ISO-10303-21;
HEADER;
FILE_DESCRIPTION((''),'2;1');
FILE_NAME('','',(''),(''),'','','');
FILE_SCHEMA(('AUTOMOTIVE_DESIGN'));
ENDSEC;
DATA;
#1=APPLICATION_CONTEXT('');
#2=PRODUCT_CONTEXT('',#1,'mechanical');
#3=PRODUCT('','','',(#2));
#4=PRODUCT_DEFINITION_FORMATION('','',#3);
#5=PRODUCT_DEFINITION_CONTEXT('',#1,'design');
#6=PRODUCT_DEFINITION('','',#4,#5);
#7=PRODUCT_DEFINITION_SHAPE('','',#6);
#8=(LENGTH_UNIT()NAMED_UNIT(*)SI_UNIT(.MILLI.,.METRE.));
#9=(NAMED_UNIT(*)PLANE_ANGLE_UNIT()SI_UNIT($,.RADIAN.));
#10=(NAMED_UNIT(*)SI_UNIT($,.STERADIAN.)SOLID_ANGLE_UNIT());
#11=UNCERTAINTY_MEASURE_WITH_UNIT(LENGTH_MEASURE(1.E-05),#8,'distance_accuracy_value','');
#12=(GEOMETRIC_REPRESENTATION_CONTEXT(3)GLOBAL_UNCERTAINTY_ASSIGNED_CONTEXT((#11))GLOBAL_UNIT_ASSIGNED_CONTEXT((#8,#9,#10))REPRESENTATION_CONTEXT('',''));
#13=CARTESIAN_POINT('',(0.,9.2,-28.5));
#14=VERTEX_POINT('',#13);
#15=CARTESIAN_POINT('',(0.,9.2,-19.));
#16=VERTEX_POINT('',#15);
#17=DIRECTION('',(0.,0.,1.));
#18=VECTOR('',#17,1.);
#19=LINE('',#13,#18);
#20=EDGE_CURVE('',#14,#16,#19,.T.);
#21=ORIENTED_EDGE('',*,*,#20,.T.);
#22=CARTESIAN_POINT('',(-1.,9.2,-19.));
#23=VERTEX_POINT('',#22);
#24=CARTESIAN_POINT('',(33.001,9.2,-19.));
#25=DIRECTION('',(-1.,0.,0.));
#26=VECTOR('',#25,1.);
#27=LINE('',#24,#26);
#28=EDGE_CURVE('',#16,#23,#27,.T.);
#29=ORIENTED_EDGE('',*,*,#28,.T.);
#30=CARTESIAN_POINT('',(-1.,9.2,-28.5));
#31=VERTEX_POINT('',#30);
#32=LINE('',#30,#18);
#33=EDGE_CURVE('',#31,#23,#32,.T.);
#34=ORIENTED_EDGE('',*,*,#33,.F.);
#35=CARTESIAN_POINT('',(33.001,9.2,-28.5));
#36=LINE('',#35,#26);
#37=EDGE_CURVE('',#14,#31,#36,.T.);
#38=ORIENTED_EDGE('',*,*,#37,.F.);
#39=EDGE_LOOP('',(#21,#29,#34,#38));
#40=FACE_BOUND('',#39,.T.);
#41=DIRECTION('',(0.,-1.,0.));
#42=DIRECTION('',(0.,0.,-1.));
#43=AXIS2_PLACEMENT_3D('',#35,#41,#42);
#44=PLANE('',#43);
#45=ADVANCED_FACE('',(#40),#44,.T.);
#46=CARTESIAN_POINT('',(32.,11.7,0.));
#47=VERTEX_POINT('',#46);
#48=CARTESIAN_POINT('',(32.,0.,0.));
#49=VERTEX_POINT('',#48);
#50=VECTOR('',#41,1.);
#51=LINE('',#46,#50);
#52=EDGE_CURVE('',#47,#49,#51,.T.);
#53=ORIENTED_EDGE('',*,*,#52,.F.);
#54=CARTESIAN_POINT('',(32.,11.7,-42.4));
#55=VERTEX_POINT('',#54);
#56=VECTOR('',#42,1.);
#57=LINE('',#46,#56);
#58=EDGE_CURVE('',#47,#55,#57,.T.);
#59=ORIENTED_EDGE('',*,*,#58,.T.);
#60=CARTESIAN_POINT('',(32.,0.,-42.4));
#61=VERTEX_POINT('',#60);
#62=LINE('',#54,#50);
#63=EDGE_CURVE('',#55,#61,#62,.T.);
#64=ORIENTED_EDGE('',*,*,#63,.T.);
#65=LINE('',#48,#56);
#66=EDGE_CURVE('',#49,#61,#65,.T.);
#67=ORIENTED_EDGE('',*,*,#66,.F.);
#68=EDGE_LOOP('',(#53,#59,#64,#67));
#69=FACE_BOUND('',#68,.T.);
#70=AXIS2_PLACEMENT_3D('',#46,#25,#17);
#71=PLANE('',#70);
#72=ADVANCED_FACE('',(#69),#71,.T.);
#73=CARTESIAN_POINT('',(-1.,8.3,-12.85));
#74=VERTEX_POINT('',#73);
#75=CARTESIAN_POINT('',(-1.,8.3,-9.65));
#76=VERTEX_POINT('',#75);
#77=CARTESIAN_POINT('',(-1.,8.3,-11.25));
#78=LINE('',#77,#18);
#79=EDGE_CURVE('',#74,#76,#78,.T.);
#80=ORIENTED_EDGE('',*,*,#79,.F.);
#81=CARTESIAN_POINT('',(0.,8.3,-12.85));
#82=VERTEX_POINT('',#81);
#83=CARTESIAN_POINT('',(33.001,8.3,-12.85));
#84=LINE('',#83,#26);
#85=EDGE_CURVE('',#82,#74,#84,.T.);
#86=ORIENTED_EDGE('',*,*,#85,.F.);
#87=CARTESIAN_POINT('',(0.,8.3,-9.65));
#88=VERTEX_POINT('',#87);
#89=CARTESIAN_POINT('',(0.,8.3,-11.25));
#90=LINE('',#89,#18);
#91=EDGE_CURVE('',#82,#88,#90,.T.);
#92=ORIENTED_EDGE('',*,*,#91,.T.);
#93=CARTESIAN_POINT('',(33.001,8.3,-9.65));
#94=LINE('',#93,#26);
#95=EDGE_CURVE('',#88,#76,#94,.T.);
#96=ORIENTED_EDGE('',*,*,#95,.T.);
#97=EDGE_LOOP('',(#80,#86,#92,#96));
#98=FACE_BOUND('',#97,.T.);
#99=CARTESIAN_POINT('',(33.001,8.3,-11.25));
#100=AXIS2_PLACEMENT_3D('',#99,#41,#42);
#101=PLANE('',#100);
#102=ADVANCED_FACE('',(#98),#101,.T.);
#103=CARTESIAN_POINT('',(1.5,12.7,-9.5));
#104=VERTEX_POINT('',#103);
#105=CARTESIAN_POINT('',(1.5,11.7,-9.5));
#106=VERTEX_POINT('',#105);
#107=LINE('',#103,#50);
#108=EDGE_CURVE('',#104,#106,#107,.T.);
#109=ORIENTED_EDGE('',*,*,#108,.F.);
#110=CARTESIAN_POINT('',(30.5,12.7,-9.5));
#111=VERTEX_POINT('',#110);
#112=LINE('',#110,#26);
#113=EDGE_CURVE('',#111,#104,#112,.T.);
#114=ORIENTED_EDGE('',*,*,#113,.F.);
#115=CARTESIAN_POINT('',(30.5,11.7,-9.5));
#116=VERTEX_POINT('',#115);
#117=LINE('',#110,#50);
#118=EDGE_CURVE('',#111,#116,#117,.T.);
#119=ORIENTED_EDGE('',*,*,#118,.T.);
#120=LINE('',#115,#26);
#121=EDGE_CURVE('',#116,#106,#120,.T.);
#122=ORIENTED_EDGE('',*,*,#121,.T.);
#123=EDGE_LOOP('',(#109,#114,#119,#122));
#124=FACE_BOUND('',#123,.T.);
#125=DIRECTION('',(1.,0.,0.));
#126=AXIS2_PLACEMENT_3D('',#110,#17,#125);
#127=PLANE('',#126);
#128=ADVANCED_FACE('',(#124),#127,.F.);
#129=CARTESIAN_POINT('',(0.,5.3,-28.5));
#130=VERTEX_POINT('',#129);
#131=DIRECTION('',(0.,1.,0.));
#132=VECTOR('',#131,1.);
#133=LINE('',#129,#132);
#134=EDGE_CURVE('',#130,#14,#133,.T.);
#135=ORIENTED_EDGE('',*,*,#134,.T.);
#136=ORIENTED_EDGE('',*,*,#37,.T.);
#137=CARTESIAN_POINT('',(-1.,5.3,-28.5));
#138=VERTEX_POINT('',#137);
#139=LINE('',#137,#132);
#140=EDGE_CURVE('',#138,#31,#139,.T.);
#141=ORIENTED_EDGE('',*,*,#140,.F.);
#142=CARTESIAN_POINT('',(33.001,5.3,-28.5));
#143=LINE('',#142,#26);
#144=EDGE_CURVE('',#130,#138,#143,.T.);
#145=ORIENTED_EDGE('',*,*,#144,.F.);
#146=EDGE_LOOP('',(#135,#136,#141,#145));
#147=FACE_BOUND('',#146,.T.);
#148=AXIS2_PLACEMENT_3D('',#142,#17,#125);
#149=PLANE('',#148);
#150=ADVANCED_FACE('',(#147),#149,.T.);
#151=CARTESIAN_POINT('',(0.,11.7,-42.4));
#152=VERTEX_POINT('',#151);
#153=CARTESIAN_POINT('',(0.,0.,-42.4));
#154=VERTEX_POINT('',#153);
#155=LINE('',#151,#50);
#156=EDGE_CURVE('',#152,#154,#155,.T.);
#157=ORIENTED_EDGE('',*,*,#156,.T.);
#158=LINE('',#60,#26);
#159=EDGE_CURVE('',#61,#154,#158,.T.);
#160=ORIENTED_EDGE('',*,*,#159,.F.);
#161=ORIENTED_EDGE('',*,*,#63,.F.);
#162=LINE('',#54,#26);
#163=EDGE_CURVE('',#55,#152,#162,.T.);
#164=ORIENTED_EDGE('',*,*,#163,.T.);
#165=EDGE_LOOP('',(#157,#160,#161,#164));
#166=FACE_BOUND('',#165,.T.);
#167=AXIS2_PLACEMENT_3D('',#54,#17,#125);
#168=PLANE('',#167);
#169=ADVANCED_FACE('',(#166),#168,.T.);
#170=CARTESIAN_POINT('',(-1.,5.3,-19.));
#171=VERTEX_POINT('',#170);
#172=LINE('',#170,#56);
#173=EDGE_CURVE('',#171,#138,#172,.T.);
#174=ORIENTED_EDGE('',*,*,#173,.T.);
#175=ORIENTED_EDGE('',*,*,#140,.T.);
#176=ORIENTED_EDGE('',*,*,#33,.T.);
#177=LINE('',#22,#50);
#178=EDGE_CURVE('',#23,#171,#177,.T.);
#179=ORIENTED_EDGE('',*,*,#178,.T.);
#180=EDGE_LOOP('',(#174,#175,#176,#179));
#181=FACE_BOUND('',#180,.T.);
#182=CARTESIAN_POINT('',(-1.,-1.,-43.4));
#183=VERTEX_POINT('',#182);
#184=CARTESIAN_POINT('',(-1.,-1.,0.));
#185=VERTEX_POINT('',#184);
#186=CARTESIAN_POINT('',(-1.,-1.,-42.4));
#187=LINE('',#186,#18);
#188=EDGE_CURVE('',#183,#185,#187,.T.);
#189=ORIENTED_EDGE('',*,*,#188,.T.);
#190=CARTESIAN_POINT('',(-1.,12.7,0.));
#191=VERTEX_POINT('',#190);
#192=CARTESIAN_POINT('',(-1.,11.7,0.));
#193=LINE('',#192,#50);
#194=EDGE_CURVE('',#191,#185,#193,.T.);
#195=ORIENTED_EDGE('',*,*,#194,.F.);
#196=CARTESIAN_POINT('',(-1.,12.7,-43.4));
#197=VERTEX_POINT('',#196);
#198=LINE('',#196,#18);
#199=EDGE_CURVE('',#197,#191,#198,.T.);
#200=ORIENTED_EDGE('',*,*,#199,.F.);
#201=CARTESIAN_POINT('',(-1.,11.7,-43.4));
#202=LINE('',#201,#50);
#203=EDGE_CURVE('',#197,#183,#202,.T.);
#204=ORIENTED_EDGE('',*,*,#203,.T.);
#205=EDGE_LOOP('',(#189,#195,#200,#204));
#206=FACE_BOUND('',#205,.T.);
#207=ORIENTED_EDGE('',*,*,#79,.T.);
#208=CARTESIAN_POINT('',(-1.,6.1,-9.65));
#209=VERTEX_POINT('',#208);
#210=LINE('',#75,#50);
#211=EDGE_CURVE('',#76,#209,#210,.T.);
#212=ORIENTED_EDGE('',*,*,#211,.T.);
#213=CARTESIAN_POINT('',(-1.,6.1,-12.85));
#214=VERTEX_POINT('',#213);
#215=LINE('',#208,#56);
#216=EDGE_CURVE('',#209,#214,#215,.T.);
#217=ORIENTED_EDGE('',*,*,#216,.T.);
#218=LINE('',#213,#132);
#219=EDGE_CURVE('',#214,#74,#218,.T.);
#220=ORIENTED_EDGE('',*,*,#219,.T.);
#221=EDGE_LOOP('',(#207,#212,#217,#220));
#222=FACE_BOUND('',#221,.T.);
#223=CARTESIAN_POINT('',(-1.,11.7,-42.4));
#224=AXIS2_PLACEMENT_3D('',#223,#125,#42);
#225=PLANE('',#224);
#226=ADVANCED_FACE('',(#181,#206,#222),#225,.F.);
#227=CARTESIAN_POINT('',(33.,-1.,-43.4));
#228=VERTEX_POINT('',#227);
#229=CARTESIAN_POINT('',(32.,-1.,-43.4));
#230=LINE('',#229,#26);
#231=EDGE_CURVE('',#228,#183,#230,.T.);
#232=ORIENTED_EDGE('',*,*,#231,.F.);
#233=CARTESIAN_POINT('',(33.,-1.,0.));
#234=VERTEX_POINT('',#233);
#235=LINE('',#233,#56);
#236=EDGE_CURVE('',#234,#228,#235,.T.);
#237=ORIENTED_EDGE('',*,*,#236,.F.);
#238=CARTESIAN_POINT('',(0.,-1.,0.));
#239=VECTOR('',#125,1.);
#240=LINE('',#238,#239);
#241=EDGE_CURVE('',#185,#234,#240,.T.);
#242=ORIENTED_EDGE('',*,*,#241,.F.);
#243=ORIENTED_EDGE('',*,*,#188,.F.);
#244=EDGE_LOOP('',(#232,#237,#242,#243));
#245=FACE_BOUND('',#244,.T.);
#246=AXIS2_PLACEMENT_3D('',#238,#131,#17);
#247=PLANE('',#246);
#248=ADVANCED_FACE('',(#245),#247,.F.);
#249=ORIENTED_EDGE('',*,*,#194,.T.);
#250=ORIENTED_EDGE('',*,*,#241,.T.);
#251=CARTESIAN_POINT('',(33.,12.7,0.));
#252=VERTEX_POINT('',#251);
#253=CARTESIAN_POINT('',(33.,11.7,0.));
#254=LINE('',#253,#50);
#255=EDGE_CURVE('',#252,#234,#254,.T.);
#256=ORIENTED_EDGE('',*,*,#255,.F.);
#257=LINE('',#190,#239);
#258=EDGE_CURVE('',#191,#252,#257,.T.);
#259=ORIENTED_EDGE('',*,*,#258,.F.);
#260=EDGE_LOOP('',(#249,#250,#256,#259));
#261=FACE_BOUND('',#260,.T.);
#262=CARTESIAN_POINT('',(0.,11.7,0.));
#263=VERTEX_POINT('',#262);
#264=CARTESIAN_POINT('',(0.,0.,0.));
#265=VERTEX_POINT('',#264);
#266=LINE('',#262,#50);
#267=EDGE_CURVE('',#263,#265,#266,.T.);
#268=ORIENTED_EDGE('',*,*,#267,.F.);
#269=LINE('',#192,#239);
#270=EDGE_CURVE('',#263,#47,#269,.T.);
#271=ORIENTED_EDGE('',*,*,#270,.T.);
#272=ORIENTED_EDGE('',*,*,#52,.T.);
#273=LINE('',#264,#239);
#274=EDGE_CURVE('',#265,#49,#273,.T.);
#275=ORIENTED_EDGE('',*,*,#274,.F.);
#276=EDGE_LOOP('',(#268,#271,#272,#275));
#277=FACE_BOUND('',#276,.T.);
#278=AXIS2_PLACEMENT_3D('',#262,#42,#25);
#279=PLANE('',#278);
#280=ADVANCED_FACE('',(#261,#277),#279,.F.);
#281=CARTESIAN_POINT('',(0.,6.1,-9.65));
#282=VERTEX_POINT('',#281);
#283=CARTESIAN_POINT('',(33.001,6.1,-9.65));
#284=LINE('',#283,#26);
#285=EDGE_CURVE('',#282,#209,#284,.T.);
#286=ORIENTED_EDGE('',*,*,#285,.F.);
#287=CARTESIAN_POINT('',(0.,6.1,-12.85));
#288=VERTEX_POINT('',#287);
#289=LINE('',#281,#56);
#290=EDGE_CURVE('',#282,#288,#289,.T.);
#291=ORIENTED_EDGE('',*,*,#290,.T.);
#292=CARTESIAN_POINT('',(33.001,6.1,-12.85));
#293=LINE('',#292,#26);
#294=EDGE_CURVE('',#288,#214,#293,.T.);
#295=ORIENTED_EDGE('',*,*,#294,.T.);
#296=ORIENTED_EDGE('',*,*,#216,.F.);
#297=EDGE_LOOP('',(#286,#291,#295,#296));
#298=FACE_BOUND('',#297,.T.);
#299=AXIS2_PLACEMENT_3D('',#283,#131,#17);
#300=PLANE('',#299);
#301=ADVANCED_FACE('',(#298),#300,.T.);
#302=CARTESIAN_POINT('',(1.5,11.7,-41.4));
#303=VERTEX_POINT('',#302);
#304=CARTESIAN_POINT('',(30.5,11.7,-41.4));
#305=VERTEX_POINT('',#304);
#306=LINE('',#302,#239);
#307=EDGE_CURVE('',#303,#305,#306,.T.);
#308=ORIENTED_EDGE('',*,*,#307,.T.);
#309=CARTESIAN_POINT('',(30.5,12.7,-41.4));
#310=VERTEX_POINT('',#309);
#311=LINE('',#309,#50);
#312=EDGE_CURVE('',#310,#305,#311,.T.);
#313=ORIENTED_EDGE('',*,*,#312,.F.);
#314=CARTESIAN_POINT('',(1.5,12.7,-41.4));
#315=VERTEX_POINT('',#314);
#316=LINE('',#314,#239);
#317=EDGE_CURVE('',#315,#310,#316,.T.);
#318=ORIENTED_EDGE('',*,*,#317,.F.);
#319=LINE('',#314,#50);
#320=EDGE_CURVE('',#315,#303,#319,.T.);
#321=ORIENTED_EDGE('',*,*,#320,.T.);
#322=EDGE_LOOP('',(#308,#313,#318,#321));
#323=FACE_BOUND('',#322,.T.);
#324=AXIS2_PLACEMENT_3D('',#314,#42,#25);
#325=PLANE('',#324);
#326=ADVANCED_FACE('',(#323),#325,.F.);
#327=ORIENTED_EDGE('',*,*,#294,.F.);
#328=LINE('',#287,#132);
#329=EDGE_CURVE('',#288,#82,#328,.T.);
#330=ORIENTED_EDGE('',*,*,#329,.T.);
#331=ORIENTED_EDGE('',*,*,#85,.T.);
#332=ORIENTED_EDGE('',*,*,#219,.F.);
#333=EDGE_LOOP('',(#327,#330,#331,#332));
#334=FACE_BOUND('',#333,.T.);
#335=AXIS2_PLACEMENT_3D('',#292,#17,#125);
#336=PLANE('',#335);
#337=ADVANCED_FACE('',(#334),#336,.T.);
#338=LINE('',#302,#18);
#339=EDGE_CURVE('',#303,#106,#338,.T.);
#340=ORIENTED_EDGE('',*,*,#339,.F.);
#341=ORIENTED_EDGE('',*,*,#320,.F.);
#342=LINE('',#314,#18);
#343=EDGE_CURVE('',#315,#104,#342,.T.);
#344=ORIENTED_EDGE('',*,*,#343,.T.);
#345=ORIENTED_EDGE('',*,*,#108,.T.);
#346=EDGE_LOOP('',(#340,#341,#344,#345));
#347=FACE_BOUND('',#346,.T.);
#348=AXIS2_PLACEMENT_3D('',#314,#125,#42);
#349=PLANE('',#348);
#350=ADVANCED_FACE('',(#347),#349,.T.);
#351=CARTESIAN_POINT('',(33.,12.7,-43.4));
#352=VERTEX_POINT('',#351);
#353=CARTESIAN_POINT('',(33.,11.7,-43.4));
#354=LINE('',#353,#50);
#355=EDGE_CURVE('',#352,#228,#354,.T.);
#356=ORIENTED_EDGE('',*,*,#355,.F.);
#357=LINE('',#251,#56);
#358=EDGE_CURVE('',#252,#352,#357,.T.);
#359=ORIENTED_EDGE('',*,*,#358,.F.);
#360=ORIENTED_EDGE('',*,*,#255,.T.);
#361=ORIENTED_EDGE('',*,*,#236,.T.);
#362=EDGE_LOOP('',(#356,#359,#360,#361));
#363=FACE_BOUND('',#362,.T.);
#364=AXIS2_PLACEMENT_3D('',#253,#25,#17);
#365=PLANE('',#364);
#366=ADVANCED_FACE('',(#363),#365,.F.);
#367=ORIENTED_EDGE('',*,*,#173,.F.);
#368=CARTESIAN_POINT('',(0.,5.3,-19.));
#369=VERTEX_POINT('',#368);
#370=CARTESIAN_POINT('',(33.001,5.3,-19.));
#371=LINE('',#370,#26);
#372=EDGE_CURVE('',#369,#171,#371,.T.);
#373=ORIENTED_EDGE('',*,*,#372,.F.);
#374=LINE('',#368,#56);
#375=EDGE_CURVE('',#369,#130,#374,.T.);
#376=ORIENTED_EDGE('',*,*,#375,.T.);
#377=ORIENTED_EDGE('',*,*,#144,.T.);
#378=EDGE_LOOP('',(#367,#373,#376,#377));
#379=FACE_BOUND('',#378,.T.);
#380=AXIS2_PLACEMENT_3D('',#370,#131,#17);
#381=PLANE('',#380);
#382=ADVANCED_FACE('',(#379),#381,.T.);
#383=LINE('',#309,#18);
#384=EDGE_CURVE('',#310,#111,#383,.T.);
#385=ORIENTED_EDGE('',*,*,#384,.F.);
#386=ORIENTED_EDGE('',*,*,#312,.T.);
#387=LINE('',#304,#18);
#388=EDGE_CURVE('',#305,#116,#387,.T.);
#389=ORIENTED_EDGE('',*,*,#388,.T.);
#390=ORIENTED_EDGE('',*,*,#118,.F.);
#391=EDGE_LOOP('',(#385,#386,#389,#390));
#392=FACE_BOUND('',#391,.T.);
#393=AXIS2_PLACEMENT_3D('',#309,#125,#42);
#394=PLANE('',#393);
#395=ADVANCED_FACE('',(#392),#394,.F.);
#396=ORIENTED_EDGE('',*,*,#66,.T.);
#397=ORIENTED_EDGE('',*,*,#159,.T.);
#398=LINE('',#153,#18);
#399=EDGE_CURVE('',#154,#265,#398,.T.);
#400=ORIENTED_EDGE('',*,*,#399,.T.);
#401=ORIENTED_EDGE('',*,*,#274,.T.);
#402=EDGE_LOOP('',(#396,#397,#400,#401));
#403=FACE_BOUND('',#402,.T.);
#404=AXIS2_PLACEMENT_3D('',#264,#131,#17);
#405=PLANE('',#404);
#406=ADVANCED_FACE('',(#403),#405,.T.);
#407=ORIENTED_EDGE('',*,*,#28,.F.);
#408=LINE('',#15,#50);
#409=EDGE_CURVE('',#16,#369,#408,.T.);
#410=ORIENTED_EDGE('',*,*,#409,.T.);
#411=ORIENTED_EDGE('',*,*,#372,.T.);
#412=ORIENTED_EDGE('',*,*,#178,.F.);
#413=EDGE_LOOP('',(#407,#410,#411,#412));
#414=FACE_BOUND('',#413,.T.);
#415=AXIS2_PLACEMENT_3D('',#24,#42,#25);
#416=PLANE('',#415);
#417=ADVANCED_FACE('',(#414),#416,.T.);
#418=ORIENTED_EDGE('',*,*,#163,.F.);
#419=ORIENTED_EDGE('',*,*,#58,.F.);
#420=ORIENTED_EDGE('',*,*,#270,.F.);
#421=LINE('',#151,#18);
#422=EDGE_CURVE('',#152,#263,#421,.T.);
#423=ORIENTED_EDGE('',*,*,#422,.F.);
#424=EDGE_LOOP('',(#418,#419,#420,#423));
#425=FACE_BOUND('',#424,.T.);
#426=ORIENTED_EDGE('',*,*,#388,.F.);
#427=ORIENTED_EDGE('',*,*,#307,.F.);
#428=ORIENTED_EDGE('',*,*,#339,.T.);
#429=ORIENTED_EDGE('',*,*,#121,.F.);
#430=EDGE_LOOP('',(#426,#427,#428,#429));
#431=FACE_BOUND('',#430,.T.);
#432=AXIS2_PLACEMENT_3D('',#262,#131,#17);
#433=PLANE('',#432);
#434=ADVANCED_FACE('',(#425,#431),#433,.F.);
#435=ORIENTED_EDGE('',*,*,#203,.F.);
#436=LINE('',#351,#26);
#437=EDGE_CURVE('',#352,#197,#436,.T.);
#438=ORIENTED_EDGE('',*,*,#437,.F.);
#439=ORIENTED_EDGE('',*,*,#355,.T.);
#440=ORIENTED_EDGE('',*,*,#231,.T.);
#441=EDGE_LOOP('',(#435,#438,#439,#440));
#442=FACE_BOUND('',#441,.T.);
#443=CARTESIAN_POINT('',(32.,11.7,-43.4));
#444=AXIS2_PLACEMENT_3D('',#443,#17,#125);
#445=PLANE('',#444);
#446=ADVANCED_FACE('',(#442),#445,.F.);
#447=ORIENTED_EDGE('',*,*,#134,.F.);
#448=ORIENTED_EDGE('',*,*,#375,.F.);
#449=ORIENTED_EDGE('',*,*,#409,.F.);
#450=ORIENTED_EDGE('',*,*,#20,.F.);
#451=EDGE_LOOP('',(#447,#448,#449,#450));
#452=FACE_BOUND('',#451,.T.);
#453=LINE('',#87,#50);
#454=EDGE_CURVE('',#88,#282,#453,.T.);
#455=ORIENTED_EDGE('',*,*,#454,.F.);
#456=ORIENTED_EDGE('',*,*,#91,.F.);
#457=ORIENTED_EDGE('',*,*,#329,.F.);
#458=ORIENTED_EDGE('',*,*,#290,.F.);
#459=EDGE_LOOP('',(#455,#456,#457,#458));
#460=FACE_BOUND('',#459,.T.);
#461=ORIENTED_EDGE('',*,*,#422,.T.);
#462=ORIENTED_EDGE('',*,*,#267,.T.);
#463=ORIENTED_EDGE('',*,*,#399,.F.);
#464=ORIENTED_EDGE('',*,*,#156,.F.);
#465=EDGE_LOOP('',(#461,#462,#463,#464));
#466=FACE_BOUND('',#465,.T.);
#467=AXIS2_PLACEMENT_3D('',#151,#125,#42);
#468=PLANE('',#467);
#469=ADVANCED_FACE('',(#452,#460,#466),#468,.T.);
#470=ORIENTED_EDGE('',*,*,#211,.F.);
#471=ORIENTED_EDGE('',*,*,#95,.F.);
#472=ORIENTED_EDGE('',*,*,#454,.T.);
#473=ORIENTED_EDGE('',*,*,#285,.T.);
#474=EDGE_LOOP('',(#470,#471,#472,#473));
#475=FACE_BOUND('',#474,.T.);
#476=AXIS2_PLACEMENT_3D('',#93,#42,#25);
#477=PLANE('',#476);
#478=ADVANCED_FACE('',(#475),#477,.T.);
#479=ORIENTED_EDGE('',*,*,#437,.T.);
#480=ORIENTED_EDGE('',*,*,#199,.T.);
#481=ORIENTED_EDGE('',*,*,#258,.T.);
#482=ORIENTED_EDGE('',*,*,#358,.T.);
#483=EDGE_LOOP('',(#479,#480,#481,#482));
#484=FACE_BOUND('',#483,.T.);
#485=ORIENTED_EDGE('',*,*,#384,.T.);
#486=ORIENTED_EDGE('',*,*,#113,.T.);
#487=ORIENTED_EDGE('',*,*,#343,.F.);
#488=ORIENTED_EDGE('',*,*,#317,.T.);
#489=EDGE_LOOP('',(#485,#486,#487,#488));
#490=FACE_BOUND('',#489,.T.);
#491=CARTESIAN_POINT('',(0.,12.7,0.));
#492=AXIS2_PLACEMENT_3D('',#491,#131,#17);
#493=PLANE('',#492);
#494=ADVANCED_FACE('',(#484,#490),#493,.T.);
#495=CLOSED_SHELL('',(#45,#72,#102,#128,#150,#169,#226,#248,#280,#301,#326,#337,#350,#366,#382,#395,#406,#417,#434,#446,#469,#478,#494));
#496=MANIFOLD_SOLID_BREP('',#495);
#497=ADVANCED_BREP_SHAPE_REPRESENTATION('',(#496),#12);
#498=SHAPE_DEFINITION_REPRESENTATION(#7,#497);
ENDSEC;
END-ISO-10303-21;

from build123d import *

# Parameters (mm, degrees)
SKETCH_1_W            = 32
SKETCH_1_H            = 42.4
EXTRUDE_1_DEPTH       = 11.7
SHELL_1_T             = 1
CUT_EXTRUDE_664_REACH = 58.36
SKETCH_2_W            = 9.5
SKETCH_2_H            = 3.9
SKETCH_4_W            = 34
SKETCH_4_H            = 43.4
SKETCH_4_W_2          = 29
SKETCH_4_H_2          = 31.9
EXTRUDE_2_DEPTH       = 1


with BuildPart() as part:
    # 草图1 → 凸台-拉伸1 (new body)
    with BuildSketch(Plane(origin=(0, 0, 0), x_dir=(1, 0, 0), z_dir=(0, 1, 0))):
        with Locations((16, 21.2)):
            Rectangle(SKETCH_1_W, SKETCH_1_H)
    extrude(amount=EXTRUDE_1_DEPTH)

    # 抽壳1
    shell_1_openings = [part.faces().sort_by_distance(p)[0] for p in [
        (16, 5.85, 0),
        (16, 11.7, -21.2),
    ]]
    offset(amount=SHELL_1_T, openings=shell_1_openings, kind=Kind.INTERSECTION)

    # 草图2 → Cut-Extrude 664 (cut, up to next)
    with BuildSketch(Plane.ZY.offset(1), mode=Mode.PRIVATE) as cut_extrude_664_sk1:
        with Locations((-23.75, 7.25)):
            Rectangle(SKETCH_2_W, SKETCH_2_H)
    cut_extrude_664_tool1 = extrude(cut_extrude_664_sk1.sketch, amount=-CUT_EXTRUDE_664_REACH, mode=Mode.PRIVATE) & part.part
    # 草图2 → Cut-Extrude 664 (cut, up to next)
    with BuildSketch(Plane.ZY.offset(1), mode=Mode.PRIVATE) as cut_extrude_664_sk2:
        Polygon((-11.25, 8.3), (-9.65, 8.3), (-9.65, 6.1), (-12.85, 6.1), (-12.85, 8.3), align=None)
    cut_extrude_664_tool2 = extrude(cut_extrude_664_sk2.sketch, amount=-CUT_EXTRUDE_664_REACH, mode=Mode.PRIVATE) & part.part
    add(cut_extrude_664_tool1.solids().sort_by_distance((-1, 7.25, -23.75))[0], mode=Mode.SUBTRACT)
    add(cut_extrude_664_tool2.solids().sort_by_distance((-1, 7.2, -11.25))[0], mode=Mode.SUBTRACT)

    # 草图4 → 凸台-拉伸2 (add)
    with BuildSketch(Plane(origin=(0, 11.7, 0), x_dir=(1, 0, 0), z_dir=(0, 1, 0))):
        with Locations((16, 21.7)):
            Rectangle(SKETCH_4_W, SKETCH_4_H)
        with Locations((16, 25.45)):
            Rectangle(SKETCH_4_W_2, SKETCH_4_H_2, mode=Mode.SUBTRACT)
    extrude(amount=EXTRUDE_2_DEPTH)


solid = part.part
